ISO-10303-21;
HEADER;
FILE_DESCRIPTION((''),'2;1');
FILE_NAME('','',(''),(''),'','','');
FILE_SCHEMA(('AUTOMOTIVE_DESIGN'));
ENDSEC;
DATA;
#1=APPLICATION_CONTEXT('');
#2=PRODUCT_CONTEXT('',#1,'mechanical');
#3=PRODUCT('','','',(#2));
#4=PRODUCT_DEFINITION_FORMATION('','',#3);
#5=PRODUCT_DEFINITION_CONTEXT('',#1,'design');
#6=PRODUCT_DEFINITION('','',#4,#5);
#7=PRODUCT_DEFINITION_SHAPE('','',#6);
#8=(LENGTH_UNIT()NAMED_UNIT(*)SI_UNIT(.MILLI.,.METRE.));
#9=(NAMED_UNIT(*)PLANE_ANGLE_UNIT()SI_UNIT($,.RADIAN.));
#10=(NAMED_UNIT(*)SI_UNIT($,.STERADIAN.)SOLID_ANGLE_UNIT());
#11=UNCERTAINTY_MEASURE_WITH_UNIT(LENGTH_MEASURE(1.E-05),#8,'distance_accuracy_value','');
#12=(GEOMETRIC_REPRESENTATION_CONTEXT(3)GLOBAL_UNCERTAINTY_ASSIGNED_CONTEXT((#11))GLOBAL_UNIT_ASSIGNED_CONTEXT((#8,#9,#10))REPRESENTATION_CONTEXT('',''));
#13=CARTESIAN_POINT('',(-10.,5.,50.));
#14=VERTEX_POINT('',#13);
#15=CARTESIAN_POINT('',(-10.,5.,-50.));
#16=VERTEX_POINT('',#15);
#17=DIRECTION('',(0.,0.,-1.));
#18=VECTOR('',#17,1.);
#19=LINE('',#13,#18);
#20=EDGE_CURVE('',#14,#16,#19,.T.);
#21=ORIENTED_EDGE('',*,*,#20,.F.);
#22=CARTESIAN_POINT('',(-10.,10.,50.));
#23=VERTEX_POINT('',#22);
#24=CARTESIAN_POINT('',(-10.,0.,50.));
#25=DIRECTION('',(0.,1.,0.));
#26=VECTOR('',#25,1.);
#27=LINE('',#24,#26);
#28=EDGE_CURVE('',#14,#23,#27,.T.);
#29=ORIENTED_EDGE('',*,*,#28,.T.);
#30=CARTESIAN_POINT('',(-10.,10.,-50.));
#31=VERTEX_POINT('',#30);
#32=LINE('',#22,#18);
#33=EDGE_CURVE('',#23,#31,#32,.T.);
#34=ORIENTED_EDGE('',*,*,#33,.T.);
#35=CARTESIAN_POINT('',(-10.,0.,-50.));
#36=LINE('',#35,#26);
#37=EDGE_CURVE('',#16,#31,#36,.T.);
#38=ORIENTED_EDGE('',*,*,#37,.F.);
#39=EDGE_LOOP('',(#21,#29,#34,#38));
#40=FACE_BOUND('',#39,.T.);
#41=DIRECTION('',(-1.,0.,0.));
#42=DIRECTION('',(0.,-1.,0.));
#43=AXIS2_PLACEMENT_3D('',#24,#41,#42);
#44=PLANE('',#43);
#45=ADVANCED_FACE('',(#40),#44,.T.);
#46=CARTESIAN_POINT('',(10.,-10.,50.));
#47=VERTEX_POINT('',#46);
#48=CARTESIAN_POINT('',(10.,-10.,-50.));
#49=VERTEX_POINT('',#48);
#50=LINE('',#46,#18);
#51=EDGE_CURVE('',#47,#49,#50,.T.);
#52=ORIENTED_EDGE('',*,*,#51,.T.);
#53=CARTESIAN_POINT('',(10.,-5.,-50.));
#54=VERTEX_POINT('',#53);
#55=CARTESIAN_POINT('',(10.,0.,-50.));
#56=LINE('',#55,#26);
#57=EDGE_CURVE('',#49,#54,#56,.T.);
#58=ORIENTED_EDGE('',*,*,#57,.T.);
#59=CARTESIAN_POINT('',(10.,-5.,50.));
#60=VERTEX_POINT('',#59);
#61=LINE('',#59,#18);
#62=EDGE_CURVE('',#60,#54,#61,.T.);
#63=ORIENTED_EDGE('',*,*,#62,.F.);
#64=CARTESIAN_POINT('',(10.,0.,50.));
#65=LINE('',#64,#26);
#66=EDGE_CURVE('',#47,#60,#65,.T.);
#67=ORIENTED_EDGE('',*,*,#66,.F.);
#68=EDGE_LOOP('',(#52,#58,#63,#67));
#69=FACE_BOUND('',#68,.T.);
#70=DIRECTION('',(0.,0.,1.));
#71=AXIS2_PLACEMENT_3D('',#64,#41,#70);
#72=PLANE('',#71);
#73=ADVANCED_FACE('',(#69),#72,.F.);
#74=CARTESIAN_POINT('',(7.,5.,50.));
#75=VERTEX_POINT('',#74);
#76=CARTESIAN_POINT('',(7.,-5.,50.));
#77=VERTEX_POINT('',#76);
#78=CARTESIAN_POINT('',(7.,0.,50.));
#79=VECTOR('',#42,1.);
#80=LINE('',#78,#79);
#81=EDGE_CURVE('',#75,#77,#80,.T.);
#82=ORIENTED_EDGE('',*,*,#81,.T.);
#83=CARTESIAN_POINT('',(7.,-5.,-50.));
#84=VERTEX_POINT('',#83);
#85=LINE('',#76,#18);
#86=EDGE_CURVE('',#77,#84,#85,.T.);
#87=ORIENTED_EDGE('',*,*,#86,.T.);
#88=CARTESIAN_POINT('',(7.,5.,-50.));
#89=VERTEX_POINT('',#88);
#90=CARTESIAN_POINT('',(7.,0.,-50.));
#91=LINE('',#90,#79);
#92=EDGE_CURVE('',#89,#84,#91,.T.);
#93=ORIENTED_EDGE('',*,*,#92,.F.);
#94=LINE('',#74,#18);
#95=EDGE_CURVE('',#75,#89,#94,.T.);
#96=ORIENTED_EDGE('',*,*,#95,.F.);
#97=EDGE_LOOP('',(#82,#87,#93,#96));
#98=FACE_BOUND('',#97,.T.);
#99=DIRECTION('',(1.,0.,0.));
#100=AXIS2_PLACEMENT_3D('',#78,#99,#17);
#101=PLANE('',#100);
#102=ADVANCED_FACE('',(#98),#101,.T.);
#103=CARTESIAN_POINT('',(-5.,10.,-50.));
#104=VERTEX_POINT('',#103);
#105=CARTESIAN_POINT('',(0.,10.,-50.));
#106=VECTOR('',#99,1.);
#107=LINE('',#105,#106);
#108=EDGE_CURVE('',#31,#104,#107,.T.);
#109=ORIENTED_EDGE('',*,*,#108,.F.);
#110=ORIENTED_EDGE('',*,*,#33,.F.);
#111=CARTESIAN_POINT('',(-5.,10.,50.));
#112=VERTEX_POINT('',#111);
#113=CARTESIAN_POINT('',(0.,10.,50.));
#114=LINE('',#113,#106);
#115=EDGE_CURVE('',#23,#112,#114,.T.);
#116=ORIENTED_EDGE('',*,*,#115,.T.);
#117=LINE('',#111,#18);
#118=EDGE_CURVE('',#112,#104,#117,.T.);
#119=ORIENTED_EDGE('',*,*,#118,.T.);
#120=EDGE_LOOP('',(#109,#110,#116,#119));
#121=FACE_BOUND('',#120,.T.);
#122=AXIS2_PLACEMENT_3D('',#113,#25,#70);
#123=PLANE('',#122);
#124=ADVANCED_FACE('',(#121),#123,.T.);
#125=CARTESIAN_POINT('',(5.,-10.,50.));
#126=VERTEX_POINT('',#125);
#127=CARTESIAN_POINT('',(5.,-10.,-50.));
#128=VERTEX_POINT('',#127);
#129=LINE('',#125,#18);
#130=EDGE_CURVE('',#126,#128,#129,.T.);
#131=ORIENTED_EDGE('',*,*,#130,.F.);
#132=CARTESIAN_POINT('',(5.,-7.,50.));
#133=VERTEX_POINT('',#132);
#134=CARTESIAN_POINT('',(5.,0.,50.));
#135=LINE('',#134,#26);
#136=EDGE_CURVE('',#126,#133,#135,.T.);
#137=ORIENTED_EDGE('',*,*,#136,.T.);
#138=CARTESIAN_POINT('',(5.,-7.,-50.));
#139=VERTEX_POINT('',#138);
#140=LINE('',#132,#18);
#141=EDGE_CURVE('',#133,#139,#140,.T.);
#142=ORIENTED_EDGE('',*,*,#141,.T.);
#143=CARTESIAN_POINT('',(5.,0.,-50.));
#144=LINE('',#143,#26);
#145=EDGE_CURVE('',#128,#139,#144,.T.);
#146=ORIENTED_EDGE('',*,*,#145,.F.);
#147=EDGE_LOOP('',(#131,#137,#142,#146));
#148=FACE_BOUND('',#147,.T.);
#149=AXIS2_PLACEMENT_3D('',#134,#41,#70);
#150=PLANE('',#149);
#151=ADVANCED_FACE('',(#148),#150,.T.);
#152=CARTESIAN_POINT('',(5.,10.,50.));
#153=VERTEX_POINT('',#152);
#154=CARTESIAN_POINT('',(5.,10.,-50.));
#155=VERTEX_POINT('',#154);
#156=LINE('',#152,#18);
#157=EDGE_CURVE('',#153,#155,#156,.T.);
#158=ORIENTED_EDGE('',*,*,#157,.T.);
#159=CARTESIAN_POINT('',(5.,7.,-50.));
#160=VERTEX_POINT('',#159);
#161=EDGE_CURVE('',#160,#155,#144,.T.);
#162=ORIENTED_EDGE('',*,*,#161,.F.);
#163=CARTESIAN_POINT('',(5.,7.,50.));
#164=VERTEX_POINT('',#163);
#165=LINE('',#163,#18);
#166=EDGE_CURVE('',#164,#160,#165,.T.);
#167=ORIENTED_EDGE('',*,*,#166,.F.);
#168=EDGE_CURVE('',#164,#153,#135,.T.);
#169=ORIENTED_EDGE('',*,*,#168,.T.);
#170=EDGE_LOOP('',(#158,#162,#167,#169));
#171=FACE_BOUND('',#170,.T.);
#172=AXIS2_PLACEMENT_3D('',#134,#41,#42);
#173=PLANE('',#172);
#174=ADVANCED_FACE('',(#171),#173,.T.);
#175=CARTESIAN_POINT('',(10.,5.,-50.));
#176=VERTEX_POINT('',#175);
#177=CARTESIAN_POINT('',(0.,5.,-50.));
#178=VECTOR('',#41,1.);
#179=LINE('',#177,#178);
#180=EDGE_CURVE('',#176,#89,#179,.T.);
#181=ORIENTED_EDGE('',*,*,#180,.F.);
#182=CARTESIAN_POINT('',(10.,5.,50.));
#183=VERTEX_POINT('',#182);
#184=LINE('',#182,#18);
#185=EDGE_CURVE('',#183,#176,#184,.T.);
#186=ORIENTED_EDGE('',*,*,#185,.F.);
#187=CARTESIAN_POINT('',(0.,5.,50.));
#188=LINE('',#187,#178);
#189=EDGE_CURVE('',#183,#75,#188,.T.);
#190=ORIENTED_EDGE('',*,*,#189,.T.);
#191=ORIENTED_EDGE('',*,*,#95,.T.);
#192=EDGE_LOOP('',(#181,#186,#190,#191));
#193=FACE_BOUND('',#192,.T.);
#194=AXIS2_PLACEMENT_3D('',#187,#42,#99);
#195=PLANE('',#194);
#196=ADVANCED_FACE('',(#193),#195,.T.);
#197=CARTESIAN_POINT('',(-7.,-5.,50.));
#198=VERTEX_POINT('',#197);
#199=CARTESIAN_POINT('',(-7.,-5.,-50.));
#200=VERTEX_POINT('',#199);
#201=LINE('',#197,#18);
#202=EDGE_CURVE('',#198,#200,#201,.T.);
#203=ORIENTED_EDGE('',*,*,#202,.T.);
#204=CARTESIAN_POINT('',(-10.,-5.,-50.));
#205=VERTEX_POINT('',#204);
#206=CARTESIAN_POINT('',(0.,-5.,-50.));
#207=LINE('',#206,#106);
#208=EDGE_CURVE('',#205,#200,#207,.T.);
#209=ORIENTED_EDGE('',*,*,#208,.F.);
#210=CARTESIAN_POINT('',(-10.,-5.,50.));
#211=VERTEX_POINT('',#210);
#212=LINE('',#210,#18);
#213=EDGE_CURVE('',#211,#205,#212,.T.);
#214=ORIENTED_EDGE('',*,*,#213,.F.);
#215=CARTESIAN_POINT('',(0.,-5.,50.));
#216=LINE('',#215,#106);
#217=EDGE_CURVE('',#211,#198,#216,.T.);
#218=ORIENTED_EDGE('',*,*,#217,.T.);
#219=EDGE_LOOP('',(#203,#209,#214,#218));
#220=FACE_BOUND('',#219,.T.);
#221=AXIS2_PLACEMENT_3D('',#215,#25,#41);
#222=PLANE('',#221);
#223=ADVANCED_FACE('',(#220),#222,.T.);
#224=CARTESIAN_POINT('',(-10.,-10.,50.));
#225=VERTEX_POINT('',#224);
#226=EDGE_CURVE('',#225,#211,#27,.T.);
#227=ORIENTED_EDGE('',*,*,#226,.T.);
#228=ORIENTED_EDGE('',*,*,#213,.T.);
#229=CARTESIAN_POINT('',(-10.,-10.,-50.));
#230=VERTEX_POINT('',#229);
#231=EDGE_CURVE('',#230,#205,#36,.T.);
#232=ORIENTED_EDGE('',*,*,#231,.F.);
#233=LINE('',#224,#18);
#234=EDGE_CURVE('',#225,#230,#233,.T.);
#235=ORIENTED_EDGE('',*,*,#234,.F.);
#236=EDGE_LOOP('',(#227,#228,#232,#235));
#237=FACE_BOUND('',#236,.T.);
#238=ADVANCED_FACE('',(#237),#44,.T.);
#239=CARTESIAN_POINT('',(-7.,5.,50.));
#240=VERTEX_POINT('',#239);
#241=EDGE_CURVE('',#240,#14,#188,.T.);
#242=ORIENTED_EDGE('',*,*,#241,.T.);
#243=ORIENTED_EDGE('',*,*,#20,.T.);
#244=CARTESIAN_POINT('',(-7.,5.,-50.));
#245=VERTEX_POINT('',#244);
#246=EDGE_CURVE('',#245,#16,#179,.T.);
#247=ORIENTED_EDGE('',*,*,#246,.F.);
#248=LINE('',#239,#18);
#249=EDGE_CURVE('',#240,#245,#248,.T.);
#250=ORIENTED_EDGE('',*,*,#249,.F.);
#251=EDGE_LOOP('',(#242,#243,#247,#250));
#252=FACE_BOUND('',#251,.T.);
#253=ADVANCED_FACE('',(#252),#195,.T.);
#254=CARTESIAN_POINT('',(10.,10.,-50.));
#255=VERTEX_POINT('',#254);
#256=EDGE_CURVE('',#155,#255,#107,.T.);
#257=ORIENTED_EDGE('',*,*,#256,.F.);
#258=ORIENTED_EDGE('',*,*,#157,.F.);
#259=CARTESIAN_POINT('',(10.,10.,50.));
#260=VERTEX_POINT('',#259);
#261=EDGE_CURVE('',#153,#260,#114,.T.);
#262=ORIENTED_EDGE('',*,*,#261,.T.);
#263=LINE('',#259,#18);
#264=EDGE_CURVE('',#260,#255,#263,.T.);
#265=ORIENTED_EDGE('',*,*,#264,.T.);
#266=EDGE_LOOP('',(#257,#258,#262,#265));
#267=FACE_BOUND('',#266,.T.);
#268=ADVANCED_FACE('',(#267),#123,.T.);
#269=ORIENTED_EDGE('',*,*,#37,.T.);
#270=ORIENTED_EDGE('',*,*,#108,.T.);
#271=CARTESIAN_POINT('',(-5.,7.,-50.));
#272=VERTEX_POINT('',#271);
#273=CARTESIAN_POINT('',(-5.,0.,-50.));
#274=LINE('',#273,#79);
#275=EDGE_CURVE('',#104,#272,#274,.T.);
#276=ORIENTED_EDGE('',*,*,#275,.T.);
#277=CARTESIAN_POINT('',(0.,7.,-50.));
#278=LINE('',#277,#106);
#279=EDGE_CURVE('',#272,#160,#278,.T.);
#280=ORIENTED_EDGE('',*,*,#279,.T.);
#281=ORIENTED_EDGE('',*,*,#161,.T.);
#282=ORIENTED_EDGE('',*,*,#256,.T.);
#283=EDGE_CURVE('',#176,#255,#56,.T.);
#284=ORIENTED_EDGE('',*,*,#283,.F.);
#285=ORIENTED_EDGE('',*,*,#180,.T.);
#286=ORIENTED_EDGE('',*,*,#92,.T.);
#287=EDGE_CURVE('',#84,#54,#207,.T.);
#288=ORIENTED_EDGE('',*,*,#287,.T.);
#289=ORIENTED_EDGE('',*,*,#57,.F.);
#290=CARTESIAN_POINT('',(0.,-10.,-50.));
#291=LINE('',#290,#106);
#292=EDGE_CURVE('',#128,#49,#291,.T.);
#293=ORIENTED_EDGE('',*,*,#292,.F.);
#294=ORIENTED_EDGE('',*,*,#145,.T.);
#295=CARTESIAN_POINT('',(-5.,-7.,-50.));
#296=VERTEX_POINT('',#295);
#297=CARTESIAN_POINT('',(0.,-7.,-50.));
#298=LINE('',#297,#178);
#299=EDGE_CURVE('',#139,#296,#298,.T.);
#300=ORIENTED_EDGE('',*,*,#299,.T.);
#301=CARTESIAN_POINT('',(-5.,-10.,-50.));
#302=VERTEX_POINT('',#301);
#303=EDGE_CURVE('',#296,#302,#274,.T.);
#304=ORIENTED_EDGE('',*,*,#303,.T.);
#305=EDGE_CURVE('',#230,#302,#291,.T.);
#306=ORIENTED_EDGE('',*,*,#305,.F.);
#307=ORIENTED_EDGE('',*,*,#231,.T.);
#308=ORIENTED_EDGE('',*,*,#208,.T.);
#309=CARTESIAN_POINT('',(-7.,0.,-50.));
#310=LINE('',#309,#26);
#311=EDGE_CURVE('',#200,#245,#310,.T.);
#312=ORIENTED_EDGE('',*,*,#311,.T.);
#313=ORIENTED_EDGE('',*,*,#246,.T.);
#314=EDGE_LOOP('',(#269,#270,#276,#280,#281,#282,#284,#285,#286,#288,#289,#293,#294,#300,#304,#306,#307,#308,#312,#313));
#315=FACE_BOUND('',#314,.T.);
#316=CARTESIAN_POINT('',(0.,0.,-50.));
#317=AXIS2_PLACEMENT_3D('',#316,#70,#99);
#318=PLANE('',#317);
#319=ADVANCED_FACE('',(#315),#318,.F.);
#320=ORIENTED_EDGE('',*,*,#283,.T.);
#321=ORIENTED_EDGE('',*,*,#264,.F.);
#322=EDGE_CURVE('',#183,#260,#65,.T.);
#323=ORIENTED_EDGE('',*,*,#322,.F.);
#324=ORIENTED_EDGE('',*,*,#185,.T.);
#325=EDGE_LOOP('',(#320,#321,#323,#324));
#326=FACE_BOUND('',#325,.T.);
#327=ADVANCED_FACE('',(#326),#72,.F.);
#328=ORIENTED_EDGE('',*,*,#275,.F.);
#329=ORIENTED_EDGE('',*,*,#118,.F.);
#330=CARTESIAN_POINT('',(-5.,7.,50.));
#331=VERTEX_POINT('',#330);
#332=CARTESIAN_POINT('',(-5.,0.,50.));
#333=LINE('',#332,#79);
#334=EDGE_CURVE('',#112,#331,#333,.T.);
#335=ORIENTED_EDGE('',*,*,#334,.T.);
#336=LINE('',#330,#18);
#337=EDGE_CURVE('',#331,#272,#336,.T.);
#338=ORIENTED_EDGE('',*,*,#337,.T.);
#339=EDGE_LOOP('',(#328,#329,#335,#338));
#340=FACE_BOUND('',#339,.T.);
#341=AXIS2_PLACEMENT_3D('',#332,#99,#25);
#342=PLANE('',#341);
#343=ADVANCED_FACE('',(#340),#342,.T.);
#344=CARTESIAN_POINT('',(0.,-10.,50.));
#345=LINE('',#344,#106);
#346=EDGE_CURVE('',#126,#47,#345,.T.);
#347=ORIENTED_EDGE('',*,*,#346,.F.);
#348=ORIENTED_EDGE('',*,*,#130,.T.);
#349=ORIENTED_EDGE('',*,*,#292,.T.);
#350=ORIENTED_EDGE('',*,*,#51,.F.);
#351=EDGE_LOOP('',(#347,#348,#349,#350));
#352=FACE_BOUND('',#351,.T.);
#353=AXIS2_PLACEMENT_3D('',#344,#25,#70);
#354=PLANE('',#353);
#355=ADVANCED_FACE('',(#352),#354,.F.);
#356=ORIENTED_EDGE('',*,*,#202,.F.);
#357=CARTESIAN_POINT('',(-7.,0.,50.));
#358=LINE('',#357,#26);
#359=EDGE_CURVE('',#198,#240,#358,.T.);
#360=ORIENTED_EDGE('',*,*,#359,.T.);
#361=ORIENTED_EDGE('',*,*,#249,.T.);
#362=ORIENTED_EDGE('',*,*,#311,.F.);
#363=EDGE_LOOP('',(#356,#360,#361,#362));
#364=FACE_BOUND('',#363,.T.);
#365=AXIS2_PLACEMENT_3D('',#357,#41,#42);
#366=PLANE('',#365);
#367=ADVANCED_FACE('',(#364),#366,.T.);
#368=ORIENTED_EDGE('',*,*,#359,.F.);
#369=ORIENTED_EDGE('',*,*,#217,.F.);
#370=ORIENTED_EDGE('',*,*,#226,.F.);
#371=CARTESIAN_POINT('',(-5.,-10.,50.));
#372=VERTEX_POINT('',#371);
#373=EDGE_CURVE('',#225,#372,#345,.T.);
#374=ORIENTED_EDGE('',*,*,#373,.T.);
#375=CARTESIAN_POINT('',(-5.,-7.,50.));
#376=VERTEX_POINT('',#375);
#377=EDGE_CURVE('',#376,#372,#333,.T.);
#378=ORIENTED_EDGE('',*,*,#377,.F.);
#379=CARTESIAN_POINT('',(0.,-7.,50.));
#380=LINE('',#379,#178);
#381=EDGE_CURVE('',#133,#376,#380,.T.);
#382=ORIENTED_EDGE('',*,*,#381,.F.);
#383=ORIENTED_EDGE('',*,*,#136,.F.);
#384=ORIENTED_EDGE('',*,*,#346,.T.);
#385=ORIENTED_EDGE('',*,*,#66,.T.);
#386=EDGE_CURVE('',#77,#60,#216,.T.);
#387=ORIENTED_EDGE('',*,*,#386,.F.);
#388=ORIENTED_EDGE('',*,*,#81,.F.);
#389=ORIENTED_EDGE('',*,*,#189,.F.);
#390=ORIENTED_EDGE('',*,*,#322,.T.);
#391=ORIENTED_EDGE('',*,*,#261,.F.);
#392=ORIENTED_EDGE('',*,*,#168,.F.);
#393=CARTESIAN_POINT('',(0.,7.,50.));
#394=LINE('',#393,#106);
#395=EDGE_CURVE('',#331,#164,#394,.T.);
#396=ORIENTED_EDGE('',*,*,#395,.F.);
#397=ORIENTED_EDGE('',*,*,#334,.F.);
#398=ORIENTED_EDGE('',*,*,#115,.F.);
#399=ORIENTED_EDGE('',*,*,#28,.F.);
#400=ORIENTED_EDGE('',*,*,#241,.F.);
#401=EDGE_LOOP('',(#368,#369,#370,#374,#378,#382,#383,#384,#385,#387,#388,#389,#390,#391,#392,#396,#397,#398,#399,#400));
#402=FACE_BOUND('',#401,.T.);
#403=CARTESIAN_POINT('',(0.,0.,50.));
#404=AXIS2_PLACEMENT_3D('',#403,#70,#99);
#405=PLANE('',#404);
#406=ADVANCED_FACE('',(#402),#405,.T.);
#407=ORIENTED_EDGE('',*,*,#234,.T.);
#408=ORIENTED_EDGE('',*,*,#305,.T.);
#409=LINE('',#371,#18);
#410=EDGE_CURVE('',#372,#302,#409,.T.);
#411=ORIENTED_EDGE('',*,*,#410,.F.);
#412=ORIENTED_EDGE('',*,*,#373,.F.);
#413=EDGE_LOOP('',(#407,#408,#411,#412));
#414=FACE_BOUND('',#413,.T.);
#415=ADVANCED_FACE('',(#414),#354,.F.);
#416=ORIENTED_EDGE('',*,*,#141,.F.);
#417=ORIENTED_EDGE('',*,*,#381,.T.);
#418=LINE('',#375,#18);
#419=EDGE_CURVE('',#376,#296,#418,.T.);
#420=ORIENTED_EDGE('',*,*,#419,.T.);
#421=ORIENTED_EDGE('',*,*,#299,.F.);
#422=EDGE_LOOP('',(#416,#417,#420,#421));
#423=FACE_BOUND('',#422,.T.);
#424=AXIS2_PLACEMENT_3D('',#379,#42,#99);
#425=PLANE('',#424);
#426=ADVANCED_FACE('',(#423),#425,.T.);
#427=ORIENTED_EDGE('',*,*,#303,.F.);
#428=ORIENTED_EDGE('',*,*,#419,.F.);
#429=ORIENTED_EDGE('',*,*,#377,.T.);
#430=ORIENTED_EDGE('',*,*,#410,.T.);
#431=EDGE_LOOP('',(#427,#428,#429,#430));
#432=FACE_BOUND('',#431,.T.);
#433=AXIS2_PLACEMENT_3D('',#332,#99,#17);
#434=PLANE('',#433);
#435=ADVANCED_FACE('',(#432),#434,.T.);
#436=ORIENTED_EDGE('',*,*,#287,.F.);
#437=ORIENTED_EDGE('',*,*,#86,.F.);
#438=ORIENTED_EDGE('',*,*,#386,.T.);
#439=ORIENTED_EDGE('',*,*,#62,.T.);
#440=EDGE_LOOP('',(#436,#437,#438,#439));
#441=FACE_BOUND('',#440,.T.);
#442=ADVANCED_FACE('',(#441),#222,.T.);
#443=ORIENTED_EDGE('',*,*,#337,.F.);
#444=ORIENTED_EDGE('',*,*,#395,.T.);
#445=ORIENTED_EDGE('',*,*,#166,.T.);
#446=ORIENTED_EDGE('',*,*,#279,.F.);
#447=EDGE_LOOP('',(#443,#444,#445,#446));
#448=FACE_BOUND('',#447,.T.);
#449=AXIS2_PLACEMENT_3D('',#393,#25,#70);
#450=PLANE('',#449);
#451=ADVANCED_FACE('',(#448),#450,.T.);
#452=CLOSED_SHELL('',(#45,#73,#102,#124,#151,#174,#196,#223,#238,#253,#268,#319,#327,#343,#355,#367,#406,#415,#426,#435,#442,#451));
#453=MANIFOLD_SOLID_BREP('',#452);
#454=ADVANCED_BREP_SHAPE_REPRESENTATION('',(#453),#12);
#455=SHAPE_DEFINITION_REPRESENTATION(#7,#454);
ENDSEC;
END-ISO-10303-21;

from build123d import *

# Parameters (mm, degrees)
EXTRUDE_1_DEPTH = 50


with BuildPart() as part:
    # 草图1 → 凸台-拉伸1 (new, symmetric)
    with BuildSketch(Plane.XY):
        Polygon((-5, 7), (-5, 10), (-10, 10), (-10, 5), (-7, 5), (-7, -5), (-10, -5), (-10, -10), (-5, -10), (-5, -7), (5, -7), (5, -10), (10, -10), (10, -5), (7, -5), (7, 5), (10, 5), (10, 10), (5, 10), (5, 7), align=None)
    extrude(amount=EXTRUDE_1_DEPTH, both=True)


solid = part.part
